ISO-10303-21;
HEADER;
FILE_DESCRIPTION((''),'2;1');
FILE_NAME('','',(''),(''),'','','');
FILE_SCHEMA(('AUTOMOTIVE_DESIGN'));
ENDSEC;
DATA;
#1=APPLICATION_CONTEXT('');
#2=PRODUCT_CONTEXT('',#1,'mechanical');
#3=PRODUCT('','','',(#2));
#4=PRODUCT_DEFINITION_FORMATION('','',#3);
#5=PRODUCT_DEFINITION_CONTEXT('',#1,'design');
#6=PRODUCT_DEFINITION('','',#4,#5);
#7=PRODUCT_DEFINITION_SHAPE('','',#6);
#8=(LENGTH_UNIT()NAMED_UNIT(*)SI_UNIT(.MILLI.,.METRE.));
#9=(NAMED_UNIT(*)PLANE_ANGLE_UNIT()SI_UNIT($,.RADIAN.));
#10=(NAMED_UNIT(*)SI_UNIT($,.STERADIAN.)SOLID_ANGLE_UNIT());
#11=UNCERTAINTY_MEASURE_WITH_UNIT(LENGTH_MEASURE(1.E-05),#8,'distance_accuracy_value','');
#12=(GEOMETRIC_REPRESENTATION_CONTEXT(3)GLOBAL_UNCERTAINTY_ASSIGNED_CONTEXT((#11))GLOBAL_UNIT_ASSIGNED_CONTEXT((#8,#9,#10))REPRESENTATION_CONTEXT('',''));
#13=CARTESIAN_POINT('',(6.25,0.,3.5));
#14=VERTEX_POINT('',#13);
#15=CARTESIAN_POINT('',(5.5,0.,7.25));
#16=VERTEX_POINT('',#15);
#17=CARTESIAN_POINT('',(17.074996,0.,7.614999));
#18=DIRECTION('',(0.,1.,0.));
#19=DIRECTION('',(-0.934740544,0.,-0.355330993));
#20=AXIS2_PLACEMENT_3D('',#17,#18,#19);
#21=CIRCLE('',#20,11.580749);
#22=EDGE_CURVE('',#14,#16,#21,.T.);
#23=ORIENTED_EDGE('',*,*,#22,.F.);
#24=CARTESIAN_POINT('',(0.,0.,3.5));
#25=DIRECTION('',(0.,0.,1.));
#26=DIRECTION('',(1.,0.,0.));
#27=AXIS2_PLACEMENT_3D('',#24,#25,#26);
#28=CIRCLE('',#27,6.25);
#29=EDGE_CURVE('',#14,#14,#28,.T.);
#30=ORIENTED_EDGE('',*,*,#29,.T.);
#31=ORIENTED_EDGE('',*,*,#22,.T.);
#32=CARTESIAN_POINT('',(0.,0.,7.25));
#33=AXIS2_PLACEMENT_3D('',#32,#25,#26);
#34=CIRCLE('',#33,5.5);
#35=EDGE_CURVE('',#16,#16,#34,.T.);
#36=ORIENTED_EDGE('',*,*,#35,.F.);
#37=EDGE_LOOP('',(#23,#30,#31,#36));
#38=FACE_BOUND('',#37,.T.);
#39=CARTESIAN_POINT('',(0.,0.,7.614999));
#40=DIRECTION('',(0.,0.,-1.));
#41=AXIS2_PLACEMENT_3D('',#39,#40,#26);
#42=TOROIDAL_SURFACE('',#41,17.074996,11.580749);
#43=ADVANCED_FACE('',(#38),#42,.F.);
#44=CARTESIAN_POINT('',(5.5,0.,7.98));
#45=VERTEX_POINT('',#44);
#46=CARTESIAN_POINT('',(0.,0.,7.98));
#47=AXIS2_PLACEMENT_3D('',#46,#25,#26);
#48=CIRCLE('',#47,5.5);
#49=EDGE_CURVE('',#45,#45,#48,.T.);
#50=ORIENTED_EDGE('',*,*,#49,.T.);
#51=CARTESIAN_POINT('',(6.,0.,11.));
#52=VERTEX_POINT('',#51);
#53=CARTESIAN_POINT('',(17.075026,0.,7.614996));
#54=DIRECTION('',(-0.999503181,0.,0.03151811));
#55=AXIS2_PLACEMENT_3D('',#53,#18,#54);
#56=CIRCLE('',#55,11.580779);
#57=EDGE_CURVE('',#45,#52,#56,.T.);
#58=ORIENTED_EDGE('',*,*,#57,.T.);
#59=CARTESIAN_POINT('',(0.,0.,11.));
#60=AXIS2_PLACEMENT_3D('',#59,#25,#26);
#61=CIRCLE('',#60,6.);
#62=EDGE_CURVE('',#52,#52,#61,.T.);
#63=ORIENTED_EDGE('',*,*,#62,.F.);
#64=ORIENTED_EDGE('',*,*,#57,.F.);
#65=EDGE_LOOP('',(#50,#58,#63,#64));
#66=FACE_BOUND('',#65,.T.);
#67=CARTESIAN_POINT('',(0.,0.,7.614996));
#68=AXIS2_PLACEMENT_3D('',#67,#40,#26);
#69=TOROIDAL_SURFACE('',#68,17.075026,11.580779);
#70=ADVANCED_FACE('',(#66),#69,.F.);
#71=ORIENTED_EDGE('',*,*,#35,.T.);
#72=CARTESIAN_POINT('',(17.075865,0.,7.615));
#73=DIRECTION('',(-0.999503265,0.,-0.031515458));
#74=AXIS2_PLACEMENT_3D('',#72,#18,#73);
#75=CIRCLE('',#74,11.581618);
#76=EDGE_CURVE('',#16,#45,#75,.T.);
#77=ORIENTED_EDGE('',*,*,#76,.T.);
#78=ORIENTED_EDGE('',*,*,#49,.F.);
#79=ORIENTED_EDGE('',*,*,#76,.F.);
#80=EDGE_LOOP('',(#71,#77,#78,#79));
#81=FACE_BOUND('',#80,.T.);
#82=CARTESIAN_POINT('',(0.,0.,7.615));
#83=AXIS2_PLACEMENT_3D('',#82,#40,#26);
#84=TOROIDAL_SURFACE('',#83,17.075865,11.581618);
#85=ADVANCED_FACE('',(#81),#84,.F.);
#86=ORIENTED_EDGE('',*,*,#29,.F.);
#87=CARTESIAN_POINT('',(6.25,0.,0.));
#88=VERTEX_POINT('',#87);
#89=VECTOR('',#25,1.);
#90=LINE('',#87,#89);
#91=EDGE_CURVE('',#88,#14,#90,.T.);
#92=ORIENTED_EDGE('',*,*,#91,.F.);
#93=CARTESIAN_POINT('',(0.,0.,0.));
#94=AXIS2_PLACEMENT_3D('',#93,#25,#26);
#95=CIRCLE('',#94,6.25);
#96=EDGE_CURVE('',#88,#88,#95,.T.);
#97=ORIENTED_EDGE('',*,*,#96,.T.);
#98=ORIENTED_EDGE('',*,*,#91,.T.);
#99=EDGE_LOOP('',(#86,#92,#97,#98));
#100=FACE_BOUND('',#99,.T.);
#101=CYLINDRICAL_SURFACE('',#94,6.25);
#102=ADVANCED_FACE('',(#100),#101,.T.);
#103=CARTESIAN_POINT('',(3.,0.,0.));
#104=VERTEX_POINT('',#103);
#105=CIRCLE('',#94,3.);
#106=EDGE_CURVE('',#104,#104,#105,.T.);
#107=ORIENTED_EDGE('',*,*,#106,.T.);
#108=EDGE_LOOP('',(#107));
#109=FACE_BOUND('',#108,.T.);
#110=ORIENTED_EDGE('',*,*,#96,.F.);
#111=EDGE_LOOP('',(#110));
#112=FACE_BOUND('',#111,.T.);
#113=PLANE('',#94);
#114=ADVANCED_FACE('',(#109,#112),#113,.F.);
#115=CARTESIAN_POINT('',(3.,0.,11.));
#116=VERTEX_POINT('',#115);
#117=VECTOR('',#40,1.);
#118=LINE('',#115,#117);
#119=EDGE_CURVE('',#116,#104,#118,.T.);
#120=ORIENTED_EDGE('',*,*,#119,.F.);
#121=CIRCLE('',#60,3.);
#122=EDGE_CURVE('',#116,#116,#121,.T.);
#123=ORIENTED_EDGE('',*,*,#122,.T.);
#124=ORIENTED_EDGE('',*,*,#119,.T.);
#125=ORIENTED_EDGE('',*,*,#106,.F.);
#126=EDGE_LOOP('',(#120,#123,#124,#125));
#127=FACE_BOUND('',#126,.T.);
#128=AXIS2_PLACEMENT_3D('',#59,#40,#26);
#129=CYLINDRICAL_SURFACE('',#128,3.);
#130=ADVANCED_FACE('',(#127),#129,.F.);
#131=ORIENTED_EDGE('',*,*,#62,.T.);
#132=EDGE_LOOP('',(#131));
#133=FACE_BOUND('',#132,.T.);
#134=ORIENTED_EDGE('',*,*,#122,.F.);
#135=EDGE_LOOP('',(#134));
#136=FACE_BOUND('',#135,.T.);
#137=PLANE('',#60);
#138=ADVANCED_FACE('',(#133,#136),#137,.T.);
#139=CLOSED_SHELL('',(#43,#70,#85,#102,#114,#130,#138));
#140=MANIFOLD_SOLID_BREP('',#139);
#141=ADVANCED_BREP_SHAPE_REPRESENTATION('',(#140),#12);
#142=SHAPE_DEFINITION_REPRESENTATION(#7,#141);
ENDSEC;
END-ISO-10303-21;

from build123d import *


with BuildPart() as f1:
    # F0 (on Front) → F1 (revolve)
    with BuildSketch(Plane.XZ):
        with BuildLine():
            Line((3, 11), (3, 0))
            Line((3, 0), (6.25, 0))
            Line((6.25, 0), (6.25, 3.5))
            ThreePointArc((6.25, 3.5), (5.719137, 5.343827), (5.5, 7.25))
            ThreePointArc((5.5, 7.25), (5.494247, 7.615), (5.5, 7.98))
            Line((5.5, 7.98), (5.5, 11))
            Line((5.5, 11), (3, 11))
        make_face()
        with BuildLine():
            Line((6, 11), (5.5, 11))
            Line((5.5, 11), (5.5, 7.98))
            ThreePointArc((5.5, 7.98), (5.649777, 9.506593), (6, 11))
        make_face()
    revolve(axis=Axis((0, 0, 5.5), (0, 0, 1)))


solid = f1.part
